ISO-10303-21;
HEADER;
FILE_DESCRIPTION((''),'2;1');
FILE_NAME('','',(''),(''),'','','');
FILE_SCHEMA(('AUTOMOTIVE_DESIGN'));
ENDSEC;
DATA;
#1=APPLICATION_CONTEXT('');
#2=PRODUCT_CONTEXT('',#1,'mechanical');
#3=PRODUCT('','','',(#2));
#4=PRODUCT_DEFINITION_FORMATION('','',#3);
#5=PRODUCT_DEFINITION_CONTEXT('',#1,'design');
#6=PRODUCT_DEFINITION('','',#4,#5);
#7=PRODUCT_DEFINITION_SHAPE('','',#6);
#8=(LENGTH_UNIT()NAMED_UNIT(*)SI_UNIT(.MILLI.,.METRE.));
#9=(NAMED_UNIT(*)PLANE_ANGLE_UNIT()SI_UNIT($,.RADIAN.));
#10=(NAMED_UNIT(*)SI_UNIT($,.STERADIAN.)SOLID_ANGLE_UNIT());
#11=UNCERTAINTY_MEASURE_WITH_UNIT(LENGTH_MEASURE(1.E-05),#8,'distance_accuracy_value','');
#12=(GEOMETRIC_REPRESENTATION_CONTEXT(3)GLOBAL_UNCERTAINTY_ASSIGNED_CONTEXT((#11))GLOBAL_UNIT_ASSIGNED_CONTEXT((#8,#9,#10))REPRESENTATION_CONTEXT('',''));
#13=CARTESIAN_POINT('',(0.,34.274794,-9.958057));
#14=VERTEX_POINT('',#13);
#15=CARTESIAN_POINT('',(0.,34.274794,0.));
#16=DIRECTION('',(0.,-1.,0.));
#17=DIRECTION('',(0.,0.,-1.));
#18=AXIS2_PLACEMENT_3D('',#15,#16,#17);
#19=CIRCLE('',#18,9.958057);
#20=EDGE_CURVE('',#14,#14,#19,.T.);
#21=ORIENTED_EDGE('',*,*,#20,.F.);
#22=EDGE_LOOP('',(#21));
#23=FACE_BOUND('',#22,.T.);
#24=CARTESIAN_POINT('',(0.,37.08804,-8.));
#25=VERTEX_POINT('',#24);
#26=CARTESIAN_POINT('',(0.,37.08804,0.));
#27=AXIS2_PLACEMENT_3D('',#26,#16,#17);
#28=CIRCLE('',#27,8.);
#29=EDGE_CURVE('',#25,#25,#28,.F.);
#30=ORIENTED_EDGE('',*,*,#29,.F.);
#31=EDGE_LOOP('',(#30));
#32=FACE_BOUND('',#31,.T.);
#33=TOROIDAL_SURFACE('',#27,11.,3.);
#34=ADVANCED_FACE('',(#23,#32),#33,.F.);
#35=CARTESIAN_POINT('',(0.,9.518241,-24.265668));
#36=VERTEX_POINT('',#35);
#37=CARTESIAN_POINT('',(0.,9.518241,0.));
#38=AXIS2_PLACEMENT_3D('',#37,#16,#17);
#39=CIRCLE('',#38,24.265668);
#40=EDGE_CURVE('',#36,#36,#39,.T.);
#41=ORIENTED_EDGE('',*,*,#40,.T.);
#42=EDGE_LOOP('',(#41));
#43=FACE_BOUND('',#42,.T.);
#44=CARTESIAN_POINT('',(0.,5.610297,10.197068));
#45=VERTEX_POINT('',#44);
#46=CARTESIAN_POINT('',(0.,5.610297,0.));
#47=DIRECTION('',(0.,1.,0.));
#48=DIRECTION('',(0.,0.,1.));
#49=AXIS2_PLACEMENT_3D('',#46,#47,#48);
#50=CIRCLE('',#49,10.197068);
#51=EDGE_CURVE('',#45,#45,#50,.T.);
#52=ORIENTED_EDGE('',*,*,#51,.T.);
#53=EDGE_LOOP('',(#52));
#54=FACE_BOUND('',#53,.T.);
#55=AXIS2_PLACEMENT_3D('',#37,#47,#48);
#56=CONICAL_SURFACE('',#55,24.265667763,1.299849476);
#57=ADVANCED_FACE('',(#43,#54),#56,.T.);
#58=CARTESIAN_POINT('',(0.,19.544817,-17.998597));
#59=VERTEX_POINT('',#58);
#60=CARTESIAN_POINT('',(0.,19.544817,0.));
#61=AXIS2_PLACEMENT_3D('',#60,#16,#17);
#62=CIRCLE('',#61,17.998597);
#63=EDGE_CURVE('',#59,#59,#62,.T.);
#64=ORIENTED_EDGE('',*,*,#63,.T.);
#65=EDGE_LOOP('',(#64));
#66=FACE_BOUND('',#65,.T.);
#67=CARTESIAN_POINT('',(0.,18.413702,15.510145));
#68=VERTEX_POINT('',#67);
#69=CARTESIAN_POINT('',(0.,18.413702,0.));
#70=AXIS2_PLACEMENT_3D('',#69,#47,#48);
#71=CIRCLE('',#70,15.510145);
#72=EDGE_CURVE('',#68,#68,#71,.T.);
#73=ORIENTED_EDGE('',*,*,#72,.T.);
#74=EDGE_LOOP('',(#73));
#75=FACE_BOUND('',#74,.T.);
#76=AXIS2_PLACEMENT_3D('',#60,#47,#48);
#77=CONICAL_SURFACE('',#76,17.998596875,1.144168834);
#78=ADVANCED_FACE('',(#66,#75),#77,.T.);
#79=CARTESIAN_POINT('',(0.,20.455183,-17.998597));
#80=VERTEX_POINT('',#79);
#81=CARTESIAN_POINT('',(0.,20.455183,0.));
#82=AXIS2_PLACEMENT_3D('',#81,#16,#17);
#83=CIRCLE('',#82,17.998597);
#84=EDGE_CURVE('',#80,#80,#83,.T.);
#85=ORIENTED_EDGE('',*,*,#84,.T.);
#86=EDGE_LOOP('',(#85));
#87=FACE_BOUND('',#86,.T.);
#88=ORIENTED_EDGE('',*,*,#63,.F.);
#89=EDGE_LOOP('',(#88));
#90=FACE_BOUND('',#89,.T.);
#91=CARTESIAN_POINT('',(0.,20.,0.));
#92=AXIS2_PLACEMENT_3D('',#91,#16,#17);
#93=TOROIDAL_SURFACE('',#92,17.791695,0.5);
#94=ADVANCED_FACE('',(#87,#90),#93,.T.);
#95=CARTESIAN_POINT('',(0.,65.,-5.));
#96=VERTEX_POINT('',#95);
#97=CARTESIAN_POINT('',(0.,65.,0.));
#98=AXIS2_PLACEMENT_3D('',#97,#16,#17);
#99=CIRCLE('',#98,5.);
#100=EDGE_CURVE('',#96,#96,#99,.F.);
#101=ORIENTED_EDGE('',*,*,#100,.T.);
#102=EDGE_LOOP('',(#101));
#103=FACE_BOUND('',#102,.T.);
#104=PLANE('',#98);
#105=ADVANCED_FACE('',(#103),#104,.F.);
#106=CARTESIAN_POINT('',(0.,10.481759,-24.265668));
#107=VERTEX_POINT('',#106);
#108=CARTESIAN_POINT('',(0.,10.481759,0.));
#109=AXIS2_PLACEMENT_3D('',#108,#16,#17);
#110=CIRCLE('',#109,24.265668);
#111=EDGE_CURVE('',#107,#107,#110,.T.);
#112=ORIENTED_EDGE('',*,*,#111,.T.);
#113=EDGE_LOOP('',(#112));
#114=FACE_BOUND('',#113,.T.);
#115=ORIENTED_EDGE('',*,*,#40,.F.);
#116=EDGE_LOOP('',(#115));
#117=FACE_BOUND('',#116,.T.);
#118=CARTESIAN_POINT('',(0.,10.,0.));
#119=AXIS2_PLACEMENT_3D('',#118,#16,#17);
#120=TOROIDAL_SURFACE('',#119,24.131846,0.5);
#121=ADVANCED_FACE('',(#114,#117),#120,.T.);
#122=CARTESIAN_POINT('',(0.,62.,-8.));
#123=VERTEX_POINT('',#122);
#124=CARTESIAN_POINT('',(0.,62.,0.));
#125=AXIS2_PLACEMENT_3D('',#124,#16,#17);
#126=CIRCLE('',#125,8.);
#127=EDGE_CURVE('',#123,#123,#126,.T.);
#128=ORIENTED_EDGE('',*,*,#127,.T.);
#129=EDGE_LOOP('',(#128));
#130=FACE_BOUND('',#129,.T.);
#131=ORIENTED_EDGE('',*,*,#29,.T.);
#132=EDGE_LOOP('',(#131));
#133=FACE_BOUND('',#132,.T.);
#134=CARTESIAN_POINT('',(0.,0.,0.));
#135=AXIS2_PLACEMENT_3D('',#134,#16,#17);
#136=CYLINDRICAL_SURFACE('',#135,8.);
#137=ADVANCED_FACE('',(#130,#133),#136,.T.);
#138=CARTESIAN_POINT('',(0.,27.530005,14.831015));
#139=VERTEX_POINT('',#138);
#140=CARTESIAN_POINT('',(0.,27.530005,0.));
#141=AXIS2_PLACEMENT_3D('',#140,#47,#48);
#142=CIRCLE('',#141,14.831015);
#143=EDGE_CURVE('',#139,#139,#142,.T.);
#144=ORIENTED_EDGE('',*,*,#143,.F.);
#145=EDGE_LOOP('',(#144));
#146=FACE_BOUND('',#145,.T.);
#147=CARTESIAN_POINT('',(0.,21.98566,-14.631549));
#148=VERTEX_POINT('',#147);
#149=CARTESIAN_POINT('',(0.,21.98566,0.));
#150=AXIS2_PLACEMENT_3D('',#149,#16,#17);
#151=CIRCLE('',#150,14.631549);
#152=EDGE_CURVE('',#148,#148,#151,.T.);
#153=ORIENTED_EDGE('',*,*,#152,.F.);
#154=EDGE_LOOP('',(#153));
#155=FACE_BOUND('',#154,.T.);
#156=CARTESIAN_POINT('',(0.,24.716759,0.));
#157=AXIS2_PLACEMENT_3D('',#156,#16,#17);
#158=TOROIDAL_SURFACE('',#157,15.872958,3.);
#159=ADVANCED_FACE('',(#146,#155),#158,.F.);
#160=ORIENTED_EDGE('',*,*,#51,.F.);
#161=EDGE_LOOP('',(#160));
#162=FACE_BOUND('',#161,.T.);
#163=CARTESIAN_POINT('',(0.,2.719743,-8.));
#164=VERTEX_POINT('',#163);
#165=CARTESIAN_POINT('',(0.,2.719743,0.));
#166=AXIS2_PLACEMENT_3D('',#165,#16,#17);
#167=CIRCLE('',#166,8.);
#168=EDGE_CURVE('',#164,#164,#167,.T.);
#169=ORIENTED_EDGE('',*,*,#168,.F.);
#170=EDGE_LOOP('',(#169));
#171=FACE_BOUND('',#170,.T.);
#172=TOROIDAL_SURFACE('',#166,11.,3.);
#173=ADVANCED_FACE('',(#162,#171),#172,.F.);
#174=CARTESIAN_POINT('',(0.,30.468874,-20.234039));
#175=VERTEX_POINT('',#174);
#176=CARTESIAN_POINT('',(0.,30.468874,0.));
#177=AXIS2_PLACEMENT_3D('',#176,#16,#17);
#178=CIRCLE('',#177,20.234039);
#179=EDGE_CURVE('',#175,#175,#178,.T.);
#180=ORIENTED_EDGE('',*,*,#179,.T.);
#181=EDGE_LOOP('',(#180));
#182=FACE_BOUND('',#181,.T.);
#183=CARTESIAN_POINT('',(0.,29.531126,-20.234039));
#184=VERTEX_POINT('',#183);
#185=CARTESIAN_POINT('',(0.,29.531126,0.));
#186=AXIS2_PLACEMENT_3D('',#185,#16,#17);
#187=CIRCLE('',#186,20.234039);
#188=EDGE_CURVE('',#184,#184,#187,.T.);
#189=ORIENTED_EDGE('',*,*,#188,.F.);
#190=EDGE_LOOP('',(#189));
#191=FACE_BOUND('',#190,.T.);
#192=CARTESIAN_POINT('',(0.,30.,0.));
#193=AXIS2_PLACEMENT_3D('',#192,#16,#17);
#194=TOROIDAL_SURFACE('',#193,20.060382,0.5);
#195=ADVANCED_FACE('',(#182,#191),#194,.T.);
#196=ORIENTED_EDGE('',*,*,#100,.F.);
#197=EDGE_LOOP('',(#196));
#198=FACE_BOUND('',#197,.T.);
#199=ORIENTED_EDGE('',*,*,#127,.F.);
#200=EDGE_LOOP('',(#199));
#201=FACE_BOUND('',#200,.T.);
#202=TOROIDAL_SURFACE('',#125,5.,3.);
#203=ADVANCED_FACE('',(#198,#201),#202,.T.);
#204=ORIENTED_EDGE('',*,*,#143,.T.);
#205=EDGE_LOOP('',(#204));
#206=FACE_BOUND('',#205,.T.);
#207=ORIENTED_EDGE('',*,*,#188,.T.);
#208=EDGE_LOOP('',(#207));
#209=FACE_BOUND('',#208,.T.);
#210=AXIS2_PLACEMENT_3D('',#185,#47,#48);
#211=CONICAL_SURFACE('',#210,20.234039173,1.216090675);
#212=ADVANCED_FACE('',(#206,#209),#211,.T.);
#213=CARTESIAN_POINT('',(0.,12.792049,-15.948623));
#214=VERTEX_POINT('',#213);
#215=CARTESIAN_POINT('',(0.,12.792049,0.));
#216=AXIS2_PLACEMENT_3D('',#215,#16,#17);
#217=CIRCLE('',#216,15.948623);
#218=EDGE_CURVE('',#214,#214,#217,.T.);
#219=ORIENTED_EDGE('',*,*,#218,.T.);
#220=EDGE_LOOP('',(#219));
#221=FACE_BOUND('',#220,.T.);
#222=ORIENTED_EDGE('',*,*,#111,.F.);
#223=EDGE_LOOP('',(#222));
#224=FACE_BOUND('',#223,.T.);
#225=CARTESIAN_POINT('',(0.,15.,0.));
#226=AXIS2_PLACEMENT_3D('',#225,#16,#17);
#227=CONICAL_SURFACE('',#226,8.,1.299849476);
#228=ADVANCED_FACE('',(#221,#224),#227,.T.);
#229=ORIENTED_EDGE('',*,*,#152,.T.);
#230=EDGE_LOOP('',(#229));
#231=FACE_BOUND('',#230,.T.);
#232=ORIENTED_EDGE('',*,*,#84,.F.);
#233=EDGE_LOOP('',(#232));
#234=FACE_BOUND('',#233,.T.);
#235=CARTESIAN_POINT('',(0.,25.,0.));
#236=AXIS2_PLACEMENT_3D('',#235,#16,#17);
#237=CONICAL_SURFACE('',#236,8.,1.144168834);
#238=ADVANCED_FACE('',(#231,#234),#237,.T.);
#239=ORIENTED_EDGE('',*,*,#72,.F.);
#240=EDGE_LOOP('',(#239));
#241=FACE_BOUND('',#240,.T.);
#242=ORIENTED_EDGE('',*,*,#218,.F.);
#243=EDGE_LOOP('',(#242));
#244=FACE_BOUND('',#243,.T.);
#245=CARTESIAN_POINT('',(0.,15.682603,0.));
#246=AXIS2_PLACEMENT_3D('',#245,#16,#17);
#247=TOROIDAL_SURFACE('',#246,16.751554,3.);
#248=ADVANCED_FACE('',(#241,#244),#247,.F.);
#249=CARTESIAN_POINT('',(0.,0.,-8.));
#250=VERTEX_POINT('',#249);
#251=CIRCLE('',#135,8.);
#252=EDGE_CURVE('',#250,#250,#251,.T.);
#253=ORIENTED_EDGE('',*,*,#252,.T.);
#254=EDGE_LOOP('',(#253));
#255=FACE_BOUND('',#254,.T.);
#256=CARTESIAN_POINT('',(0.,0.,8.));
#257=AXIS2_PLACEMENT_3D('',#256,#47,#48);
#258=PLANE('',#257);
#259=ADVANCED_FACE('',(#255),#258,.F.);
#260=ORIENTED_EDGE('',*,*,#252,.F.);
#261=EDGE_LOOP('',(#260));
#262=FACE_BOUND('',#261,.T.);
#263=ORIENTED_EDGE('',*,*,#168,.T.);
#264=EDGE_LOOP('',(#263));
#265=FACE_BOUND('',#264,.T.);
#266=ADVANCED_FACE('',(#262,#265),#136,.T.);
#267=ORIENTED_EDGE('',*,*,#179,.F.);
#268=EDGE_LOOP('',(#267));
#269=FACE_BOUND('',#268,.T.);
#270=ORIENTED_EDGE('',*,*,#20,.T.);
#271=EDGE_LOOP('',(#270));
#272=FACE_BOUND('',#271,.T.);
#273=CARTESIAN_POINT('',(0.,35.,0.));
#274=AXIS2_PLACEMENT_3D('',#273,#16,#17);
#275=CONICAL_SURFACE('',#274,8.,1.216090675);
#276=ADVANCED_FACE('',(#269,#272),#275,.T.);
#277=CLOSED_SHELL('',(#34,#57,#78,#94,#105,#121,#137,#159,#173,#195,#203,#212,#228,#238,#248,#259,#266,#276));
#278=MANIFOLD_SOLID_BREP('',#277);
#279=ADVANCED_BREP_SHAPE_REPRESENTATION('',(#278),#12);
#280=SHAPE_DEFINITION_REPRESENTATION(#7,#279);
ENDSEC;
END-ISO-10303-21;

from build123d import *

# Parameters (mm, degrees)
FILETE1_R = 3


with BuildPart() as part:
    # Esboço1 → Revolução1 (revolve)
    with BuildSketch(Plane(origin=(0, 0, 0), x_dir=(0, 0, -1), z_dir=(1, 0, 0)), mode=Mode.PRIVATE) as revolu_o1_sk:
        with BuildLine():
            Line((0, 65), (-8, 65))
            Line((-8, 65), (-8, 35))
            Line((-8, 35), (-20.234039173, 30.46887438))
            ThreePointArc((-20.234039173, 30.46887438), (-20.560381995, 30), (-20.234039173, 29.53112562))
            Line((-20.234039173, 29.53112562), (-8, 25))
            Line((-8, 25), (-17.998596875, 20.455183239))
            ThreePointArc((-17.998596875, 20.455183239), (-18.291695403, 20), (-17.998596875, 19.544816761))
            Line((-17.998596875, 19.544816761), (-8, 15))
            Line((-8, 15), (-24.265667763, 10.481758955))
            ThreePointArc((-24.265667763, 10.481758955), (-24.631845831, 10), (-24.265667763, 9.518241045))
            Line((-24.265667763, 9.518241045), (-8, 5))
            Line((-8, 5), (-8, 0))
            Line((-8, 0), (0, 0))
            Line((0, 0), (0, 65))
        make_face()
    revolve(revolu_o1_sk.sketch.rotate(Axis((0, 0, 0), (0, 1, 0)), 180), axis=Axis((0, 0, 0), (0, 1, 0)))

    # Filete1
    filete1_edges = [part.edges().sort_by_distance(p)[0] for p in [
        (0, 5, 8),
        (0, 15, 8),
        (0, 25, 8),
        (0, 35, 8),
        (0, 65, 8),
    ]]
    fillet(filete1_edges, radius=FILETE1_R)


solid = part.part
